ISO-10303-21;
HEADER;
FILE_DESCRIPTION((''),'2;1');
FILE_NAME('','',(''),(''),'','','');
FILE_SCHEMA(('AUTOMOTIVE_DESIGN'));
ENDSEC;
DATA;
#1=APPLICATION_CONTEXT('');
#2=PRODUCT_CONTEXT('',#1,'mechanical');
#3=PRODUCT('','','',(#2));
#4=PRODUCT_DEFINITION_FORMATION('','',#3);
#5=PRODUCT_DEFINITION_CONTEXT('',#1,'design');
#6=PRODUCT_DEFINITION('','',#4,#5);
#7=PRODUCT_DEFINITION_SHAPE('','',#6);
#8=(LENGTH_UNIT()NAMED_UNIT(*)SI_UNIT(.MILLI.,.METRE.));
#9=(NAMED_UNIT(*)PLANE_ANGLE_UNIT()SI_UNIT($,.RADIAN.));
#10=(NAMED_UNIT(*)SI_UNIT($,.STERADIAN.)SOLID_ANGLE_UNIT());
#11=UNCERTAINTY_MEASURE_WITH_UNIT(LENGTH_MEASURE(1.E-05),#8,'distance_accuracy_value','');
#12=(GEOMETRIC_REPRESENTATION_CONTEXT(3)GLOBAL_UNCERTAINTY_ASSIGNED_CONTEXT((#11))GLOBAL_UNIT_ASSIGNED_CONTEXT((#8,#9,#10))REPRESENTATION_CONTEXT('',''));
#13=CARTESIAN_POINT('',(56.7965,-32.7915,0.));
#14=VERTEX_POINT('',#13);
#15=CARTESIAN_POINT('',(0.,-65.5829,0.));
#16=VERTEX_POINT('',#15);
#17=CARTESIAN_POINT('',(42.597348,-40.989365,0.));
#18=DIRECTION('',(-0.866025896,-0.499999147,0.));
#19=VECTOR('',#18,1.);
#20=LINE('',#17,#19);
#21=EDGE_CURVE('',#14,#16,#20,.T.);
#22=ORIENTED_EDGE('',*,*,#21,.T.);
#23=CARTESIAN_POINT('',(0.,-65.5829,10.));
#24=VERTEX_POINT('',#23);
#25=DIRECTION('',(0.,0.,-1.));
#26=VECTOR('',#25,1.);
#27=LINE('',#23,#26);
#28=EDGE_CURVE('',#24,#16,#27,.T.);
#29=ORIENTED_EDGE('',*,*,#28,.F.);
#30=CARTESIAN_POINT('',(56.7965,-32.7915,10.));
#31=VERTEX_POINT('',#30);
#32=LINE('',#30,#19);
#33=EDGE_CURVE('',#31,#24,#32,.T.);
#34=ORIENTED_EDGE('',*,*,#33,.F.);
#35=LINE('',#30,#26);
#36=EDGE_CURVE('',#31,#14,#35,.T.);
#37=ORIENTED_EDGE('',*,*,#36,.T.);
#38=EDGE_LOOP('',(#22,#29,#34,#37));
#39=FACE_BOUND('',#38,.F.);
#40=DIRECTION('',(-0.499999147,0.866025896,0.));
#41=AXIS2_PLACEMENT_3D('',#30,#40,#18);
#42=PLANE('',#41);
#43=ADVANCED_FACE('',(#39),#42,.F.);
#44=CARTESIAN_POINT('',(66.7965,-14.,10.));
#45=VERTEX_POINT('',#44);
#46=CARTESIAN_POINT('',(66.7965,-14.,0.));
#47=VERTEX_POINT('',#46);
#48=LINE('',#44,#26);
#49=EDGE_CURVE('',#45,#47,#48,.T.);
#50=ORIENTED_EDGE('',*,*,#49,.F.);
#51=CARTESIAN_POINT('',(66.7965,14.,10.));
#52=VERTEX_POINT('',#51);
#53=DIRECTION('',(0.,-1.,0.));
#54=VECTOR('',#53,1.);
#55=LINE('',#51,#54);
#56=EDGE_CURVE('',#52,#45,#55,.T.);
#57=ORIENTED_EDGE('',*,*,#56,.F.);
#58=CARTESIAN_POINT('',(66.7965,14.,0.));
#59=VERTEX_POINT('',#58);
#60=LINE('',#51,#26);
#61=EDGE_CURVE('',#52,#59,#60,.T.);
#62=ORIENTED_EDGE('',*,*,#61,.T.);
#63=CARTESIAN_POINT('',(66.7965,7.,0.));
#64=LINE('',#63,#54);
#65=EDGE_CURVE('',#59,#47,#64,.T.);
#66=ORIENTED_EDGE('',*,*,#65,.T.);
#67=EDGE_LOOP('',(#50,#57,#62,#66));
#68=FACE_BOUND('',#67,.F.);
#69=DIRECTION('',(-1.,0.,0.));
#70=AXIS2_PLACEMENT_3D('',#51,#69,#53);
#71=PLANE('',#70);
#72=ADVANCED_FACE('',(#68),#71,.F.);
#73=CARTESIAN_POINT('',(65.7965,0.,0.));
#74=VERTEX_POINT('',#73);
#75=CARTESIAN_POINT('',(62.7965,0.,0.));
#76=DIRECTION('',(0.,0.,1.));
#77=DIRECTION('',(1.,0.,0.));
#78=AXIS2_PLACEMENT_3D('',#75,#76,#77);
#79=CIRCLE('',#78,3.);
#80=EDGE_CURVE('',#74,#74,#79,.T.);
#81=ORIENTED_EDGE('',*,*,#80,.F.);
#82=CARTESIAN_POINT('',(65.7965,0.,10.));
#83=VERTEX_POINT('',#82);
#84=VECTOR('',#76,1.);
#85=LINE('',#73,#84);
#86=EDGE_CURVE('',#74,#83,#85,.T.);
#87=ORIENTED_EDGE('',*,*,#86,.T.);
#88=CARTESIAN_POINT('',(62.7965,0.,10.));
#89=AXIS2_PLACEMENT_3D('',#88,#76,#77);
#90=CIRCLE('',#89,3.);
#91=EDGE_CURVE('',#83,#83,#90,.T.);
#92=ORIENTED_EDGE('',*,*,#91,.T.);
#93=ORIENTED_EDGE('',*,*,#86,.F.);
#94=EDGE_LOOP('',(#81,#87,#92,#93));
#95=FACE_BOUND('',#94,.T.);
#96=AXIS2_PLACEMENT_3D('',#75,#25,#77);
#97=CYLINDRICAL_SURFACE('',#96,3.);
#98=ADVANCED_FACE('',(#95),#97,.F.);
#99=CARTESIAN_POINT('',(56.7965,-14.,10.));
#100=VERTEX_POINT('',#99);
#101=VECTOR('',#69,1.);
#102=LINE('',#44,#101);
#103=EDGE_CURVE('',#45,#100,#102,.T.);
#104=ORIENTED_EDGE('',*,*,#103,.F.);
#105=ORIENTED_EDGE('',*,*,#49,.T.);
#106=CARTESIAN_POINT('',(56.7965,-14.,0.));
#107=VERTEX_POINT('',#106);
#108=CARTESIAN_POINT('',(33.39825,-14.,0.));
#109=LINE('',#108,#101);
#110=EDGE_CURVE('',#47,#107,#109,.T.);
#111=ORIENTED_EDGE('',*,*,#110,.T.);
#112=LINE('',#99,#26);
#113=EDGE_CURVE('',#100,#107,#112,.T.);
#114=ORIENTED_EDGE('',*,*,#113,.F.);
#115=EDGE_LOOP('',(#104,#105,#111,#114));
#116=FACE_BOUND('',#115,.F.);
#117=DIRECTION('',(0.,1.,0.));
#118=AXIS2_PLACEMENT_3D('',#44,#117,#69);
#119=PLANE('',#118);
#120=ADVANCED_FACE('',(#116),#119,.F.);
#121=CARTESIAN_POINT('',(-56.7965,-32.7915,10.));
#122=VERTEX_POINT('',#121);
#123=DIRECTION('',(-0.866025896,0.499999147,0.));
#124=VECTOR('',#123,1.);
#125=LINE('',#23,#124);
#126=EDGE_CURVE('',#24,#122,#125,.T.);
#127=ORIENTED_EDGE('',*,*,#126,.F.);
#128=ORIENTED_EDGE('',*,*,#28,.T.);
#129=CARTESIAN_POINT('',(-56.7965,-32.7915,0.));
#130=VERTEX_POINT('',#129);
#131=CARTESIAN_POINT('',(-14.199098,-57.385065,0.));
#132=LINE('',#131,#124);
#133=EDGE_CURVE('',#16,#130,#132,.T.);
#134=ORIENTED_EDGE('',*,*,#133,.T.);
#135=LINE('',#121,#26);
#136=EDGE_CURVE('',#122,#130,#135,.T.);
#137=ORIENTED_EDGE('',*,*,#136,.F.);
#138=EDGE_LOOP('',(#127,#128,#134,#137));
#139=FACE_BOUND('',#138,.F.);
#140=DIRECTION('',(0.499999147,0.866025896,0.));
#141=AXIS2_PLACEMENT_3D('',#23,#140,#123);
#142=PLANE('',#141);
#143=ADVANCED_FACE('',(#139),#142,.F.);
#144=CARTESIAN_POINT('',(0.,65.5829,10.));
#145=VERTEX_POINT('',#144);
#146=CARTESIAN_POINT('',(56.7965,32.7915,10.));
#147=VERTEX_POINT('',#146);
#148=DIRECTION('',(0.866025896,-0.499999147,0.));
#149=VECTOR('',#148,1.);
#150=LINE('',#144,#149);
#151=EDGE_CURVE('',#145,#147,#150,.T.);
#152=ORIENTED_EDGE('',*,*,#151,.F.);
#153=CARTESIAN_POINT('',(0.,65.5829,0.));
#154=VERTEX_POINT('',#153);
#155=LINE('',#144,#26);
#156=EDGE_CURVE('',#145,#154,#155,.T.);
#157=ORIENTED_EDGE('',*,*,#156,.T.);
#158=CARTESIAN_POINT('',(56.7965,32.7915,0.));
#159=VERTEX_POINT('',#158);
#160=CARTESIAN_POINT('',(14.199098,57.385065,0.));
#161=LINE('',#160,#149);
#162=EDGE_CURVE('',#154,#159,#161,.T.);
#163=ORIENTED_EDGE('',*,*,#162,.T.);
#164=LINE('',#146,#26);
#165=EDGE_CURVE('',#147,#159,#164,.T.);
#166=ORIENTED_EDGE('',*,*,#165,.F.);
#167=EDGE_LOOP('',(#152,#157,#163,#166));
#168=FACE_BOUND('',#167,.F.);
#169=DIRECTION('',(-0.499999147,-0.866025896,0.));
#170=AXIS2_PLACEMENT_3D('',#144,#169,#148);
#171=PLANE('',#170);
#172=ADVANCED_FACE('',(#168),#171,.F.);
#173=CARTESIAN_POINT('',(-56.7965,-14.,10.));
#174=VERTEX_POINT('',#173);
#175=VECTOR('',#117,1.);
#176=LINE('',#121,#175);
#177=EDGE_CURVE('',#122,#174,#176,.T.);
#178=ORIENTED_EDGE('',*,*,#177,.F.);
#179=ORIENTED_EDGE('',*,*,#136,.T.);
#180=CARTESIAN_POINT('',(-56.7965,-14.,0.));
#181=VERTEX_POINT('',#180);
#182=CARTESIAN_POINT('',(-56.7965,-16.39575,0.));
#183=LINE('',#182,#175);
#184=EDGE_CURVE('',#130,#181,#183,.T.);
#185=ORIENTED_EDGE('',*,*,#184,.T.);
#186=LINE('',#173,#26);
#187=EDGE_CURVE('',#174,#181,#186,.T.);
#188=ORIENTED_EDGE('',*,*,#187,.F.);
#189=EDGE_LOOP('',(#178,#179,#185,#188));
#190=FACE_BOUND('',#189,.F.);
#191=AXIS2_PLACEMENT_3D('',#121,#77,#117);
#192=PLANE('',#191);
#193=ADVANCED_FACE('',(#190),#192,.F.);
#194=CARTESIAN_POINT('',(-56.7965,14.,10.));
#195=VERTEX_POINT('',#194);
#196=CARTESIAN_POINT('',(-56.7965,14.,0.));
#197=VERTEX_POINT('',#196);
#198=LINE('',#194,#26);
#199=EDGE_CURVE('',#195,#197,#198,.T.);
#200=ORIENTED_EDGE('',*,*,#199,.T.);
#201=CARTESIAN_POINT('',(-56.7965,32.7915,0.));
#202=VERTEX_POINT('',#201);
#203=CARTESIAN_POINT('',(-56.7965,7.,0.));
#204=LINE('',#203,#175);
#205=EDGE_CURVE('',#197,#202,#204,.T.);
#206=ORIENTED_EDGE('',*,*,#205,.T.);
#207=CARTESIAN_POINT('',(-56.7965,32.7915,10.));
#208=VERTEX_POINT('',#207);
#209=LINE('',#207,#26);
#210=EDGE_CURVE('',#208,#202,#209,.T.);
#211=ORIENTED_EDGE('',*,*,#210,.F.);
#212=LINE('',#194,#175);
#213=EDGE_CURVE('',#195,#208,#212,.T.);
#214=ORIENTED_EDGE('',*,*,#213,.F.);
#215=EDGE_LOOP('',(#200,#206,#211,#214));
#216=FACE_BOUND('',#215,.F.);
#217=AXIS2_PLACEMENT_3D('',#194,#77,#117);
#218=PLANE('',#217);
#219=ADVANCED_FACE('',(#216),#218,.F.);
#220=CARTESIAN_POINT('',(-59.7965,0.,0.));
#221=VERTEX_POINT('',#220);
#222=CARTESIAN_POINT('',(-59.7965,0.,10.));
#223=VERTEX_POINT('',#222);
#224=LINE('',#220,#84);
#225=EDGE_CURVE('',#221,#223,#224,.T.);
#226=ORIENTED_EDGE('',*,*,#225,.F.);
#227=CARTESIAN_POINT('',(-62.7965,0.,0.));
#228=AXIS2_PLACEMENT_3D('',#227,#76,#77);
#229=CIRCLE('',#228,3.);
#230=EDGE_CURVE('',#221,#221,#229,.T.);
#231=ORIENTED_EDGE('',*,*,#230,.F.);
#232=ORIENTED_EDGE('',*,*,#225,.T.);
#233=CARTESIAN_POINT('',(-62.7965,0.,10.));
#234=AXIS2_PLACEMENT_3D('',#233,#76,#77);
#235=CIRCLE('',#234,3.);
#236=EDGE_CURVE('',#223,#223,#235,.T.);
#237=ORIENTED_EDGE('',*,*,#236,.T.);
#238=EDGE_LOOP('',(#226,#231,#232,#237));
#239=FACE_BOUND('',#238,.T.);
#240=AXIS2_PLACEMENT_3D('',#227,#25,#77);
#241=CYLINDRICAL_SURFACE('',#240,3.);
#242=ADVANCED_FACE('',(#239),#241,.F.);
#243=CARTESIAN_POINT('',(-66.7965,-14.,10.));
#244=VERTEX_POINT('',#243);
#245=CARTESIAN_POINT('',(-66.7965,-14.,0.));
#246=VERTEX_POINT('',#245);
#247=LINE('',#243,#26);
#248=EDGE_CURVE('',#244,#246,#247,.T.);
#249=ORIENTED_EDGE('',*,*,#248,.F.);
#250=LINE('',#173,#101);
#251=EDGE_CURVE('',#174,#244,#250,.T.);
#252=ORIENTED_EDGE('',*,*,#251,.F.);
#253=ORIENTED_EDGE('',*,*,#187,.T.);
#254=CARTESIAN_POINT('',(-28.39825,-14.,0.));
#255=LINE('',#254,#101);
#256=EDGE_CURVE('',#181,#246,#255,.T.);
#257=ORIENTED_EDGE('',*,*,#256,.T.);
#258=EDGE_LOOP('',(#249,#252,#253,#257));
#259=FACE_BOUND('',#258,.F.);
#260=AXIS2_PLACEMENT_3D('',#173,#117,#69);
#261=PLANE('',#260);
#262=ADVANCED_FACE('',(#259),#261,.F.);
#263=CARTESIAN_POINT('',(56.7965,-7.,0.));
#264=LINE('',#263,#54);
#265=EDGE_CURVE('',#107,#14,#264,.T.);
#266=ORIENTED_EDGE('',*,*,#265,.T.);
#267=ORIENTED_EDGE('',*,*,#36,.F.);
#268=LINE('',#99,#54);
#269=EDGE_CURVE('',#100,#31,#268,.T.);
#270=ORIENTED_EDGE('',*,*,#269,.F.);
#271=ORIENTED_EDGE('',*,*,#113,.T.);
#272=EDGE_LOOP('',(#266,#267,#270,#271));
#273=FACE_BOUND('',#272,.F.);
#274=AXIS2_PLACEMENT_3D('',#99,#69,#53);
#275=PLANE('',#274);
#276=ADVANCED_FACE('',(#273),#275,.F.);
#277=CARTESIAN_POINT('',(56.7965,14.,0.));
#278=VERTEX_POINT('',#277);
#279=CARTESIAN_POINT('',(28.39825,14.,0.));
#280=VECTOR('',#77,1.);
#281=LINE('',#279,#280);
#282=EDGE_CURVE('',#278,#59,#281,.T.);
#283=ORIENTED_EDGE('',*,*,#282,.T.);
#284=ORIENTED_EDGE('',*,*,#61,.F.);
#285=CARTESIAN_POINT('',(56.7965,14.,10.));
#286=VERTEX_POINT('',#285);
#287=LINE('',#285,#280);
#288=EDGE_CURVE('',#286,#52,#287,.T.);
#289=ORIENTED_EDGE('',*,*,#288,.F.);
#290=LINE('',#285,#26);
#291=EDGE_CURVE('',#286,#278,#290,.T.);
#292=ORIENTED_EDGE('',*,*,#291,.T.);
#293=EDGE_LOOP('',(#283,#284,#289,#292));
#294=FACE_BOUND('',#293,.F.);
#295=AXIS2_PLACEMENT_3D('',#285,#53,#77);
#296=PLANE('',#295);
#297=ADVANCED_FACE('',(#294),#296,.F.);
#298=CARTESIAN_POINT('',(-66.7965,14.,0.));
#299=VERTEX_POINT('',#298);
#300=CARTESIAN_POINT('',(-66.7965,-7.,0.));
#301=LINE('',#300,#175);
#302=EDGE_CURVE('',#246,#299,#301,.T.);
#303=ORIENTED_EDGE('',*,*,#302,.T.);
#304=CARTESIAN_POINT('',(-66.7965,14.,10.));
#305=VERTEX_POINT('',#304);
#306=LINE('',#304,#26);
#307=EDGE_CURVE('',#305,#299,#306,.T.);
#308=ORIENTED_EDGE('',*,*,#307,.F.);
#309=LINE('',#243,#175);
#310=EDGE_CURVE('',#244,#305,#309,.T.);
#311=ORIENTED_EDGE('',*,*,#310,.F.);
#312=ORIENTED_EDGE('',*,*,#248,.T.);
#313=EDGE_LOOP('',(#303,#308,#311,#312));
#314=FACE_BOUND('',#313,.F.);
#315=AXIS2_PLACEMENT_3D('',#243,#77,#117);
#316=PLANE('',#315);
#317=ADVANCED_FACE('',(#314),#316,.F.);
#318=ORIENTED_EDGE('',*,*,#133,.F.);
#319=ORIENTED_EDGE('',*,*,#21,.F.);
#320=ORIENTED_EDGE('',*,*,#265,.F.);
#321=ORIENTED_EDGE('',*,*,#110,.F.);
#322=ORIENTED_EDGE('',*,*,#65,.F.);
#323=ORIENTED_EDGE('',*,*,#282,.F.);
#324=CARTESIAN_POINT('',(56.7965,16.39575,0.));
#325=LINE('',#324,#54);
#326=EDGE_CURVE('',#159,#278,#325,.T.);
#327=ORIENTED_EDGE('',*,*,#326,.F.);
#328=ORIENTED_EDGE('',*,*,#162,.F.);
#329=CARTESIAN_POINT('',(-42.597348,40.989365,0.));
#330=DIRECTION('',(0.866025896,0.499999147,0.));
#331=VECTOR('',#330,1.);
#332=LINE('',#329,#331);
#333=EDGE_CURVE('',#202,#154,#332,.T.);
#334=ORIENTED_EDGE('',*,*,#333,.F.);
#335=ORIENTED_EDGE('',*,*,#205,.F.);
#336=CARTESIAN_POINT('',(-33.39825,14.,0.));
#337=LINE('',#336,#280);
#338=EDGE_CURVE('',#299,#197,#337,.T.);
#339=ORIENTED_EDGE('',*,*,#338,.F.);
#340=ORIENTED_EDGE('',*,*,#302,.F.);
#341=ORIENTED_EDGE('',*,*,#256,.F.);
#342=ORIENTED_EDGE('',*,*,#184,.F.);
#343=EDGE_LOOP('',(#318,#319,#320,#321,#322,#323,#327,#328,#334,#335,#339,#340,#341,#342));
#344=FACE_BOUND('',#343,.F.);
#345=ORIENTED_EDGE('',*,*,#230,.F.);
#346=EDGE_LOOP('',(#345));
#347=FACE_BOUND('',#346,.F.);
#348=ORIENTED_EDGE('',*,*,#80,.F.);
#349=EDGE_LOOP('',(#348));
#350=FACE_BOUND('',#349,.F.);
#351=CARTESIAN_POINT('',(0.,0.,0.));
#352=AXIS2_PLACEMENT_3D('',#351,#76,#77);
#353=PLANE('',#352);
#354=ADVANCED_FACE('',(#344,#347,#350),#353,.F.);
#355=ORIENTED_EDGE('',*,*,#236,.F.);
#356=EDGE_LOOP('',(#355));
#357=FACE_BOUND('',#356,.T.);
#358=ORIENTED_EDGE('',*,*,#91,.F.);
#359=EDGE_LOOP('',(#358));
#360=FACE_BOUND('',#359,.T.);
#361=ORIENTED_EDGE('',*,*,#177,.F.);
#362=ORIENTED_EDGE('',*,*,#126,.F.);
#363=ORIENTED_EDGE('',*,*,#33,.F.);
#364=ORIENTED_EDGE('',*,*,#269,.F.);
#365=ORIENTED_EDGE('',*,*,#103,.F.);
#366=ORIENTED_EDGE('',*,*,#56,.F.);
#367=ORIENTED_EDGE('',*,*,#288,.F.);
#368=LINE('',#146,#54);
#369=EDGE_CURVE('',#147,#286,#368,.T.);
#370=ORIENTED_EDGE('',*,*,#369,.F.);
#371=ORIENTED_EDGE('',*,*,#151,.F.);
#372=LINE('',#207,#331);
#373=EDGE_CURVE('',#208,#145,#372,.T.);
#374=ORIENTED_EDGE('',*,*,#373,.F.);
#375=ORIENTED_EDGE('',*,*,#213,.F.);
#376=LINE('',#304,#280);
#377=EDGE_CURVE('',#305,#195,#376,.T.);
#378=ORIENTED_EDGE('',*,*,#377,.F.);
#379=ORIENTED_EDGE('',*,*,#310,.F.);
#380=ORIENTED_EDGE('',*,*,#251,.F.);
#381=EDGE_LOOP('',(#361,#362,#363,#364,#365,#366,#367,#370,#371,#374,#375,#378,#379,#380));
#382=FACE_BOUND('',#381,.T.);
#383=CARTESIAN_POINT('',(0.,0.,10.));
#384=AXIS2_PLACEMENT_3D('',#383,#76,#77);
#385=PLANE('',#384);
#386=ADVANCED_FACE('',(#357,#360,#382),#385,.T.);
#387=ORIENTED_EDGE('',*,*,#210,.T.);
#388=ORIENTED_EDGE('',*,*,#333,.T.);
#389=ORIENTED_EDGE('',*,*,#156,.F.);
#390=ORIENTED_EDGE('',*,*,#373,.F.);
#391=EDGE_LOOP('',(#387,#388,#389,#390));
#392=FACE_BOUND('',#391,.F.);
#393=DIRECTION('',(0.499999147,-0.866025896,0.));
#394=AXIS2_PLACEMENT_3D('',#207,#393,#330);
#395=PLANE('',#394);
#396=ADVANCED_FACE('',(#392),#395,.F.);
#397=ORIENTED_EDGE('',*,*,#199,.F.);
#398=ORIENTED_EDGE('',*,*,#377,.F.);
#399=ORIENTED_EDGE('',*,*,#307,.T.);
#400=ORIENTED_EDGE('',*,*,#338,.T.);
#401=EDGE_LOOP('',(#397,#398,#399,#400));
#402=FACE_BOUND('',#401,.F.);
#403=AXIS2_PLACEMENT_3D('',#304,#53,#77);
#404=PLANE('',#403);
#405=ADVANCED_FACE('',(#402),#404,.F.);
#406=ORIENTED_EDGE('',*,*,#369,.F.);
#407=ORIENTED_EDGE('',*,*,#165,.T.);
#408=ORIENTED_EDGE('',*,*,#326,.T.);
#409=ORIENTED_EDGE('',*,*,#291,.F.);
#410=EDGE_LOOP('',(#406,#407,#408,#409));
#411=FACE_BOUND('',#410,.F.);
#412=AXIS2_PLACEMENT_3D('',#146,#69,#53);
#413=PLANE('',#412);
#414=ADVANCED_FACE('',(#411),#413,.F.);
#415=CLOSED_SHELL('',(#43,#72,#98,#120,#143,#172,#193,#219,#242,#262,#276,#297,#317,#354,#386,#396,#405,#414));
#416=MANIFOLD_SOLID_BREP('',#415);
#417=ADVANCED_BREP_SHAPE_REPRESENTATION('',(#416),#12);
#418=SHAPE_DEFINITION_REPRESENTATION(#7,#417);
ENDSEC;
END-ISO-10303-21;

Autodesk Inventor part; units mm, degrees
ref_plane "YZ Plane" through (0, 0, 0) normal (1, 0, 0) x (0, 1, 0)
ref_plane "XZ Plane" through (0, 0, 0) normal (0, 1, 0) x (-1, 0, 0)
ref_plane "XY Plane" through (0, 0, 0) normal (0, 0, 1) x (1, 0, 0)
sketch "Sketch1" plane through (0, 0, 0) normal (0, 0, 1) x (1, 0, 0)
  line L0 (0, 66.7376) -> (57.7965, 33.3688)
  line L1 (57.7965, 33.3688) -> (57.7965, -33.3688)
  line L2 (57.7965, -33.3688) -> (0, -66.7376)
  line L3 (0, -66.7376) -> (-57.7965, -33.3688)
  line L4 (-57.7965, -33.3688) -> (-57.7965, 33.3688)
  line L5 (-57.7965, 33.3688) -> (0, 66.7376)
  line L6 (-57.7965, 15) -> (-67.7965, 15)
  line L7 (-67.7965, 15) -> (-67.7965, -15)
  line L8 (-67.7965, -15) -> (-57.7965, -15)
  line L9 (-57.7965, -15) -> (-57.7965, 15)
  line L10 (57.7965, 15) -> (67.7965, 15)
  line L11 (67.7965, 15) -> (67.7965, -15)
  line L12 (67.7965, -15) -> (57.7965, -15)
  line L13 (57.7965, -15) -> (57.7965, 15)
  circle A0 centre (-62.7965, 0) radius 3
  circle A1 centre (62.7965, 0) radius 3
  point P0 (0, 0)
  point P1 (0, 0)
  point P2 (-57.7965, 0)
  point P3 (57.7965, 0)
  point P4 (62.7965, 15)
  point P5 (-62.7965, 15)
  dimension "d0" = 10
  dimension "d1" = 30
  dimension "d2" = 30
  dimension "d3" = 10
  dimension "d4" = 133.4752
  dimension "d5" = 6
  dimension "d6" = 6
extrude "Extrusion1" add sketch "Sketch1" along normal blind 10
sketch "Sketch2" plane through (0, 0, 10) normal (0, 0, 1) x (1, 0, 0)
  circle A0 centre (62.7965, 0) radius 3 projected
  circle A1 centre (-62.7965, 0) radius 3 projected
  line L0 (-57.7965, 15) -> (-67.7965, 15) projected
  line L1 (-67.7965, 15) -> (-67.7965, -15) projected
  line L2 (-67.7965, -15) -> (-57.7965, -15) projected
  line L3 (-57.7965, -15) -> (-57.7965, -33.3688) projected
  line L4 (-57.7965, -33.3688) -> (0, -66.7376) projected
  line L5 (0, -66.7376) -> (57.7965, -33.3688) projected
  line L6 (57.7965, -33.3688) -> (57.7965, -15) projected
  line L7 (57.7965, -15) -> (67.7965, -15) projected
  line L8 (67.7965, -15) -> (67.7965, 15) projected
  line L9 (67.7965, 15) -> (57.7965, 15) projected
  line L10 (57.7965, 15) -> (57.7965, 33.3688) projected
  line L11 (57.7965, 33.3688) -> (0, 66.7376) projected
  line L12 (0, 66.7376) -> (-57.7965, 33.3688) projected
  line L13 (-57.7965, 33.3688) -> (-57.7965, 15) projected
  line L14 (-56.7965, 32.7915) -> (0, 65.5829)
  line L15 (0, 65.5829) -> (56.7965, 32.7915)
  line L16 (56.7965, 32.7915) -> (56.7965, 14)
  line L17 (56.7965, 14) -> (66.7965, 14)
  line L18 (66.7965, 14) -> (66.7965, -14)
  line L19 (66.7965, -14) -> (56.7965, -14)
  line L20 (56.7965, -14) -> (56.7965, -32.7915)
  line L21 (56.7965, -32.7915) -> (0, -65.5829)
  line L22 (0, -65.5829) -> (-56.7965, -32.7915)
  line L23 (-56.7965, -32.7915) -> (-56.7965, -14)
  line L24 (-56.7965, -14) -> (-66.7965, -14)
  line L25 (-66.7965, -14) -> (-66.7965, 14)
  line L26 (-66.7965, 14) -> (-56.7965, 14)
  line L27 (-56.7965, 14) -> (-56.7965, 32.7915)
  point P0 (0, 0)
  dimension "d9" = 1
extrude "Extrusion2" cut sketch "Sketch2" against normal through all contours L13 L12 L11 L10 L9 L8 L7 L6 L5 L4 L3 L2 L1 L0
properties part number "TARM16" material "ABS Plastic"
